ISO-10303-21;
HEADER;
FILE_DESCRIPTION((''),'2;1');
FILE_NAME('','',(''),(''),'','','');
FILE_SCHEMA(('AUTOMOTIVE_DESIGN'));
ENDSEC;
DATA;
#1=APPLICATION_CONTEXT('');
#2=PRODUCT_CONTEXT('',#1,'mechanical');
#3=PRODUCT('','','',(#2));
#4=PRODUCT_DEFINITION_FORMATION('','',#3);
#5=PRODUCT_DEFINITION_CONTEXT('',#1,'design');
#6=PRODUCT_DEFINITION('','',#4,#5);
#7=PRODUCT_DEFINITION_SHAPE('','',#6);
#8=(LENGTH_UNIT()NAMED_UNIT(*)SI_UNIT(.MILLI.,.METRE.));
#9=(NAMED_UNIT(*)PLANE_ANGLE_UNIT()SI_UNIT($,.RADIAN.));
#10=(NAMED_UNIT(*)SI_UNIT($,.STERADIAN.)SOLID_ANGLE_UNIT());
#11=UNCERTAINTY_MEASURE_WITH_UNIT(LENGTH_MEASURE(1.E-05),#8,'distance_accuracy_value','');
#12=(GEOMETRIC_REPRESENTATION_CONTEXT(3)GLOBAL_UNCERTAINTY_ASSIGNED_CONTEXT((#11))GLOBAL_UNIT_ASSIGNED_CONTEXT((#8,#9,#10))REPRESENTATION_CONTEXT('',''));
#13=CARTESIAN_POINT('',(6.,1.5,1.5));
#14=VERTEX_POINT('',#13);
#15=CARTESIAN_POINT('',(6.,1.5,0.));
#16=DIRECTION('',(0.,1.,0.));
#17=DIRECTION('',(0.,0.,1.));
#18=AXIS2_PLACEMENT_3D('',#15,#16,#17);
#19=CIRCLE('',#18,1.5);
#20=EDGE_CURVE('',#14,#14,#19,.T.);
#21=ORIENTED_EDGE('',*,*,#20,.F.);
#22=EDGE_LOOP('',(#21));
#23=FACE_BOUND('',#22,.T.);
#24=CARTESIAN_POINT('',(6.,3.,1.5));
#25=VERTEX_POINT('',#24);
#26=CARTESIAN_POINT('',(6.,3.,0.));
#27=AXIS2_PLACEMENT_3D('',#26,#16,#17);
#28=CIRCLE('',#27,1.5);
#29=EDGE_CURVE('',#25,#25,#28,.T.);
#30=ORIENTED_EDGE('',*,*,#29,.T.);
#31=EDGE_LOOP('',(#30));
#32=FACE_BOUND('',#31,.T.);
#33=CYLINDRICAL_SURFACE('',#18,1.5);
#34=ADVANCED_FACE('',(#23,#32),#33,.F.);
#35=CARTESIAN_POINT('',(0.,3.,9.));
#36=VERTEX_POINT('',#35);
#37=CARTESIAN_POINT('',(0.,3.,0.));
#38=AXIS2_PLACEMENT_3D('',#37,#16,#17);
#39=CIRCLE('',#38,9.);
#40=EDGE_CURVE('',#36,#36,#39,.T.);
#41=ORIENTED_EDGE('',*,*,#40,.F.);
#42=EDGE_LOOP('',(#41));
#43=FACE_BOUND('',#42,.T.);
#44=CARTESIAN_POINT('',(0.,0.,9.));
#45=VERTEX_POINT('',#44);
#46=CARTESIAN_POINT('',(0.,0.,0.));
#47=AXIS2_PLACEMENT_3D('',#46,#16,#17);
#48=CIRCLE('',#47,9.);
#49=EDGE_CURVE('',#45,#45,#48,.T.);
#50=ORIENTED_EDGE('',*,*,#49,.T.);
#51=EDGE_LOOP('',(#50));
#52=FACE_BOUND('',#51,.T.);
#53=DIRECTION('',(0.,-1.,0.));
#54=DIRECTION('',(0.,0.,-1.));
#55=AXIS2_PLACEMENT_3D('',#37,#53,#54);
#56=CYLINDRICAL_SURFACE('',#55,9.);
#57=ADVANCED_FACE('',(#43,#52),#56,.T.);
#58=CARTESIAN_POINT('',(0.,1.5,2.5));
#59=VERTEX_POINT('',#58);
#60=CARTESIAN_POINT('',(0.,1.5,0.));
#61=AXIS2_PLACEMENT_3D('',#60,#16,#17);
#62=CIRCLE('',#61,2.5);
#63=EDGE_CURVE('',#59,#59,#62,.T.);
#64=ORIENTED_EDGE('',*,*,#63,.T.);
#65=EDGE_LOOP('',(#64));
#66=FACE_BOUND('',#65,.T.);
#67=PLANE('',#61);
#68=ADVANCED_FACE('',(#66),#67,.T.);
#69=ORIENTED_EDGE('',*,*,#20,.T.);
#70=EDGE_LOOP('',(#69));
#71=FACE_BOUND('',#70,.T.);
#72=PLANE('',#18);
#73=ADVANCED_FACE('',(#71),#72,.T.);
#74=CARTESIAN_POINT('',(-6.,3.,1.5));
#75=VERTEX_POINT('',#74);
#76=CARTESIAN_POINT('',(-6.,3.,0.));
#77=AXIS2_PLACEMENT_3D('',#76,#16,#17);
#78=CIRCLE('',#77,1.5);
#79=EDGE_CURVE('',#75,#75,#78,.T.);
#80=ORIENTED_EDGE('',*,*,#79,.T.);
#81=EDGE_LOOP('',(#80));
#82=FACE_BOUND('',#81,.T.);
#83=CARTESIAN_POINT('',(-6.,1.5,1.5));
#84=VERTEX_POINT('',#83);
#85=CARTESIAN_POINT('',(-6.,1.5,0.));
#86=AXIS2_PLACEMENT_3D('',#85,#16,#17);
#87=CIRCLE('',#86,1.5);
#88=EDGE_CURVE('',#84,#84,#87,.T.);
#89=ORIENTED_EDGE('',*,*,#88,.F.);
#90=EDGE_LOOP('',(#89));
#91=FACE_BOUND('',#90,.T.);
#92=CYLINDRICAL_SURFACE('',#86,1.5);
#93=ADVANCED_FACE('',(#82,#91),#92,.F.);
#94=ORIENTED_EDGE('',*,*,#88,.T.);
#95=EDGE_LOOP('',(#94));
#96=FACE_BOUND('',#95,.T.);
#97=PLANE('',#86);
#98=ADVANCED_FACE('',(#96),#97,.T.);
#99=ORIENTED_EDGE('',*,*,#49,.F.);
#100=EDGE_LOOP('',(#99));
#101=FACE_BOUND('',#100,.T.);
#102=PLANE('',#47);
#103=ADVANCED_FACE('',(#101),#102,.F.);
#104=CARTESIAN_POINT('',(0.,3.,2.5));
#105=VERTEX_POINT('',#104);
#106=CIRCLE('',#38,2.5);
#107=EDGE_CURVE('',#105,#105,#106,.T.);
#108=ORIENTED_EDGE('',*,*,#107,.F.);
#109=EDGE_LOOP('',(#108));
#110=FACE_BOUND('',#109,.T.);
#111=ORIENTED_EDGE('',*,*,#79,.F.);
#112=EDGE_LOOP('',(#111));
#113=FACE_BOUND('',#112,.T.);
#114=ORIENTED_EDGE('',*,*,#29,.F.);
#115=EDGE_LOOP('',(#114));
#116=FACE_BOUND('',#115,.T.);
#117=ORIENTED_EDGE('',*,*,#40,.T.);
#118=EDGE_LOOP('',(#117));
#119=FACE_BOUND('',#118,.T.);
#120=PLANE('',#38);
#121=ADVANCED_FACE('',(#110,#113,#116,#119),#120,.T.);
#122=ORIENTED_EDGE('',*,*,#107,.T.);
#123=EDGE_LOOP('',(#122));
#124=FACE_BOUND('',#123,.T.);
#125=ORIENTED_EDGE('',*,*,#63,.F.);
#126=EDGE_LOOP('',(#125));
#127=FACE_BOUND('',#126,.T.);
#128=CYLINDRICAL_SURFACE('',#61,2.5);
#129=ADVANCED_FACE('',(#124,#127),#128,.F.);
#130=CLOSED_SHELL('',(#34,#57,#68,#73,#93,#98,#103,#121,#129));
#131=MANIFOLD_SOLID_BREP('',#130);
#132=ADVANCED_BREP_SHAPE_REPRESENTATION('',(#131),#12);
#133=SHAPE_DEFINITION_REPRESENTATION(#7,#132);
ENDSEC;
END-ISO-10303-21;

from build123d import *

# Parameters (mm, degrees)
SKETCH1_R           = 9
BOSS_EXTRUDE1_DEPTH = 3
SKETCH2_R           = 2.5
SKETCH2_R_2         = 1.5
CUT_EXTRUDE1_DEPTH  = 1.5


with BuildPart() as part:
    # Sketch1 → Boss-Extrude1 (new body)
    with BuildSketch(Plane(origin=(0, 0, 0), x_dir=(1, 0, 0), z_dir=(0, 1, 0))):
        with Locations(Location((0, 0, 0), (0, 0, 270))):
            Circle(SKETCH1_R)
    extrude(amount=BOSS_EXTRUDE1_DEPTH)

    # Sketch2 → Cut-Extrude1 (cut)
    with BuildSketch(Plane(origin=(0, 3, 0), x_dir=(1, 0, 0), z_dir=(0, 1, 0))):
        with Locations(Location((0, 0, 0), (0, 0, 270))):
            Circle(SKETCH2_R)
        with Locations(Location((-6, 0, 0), (0, 0, 270))):
            Circle(SKETCH2_R_2)
        with Locations(Location((6, 0, 0), (0, 0, 270))):
            Circle(SKETCH2_R_2)
    extrude(amount=-CUT_EXTRUDE1_DEPTH, mode=Mode.SUBTRACT)


solid = part.part
